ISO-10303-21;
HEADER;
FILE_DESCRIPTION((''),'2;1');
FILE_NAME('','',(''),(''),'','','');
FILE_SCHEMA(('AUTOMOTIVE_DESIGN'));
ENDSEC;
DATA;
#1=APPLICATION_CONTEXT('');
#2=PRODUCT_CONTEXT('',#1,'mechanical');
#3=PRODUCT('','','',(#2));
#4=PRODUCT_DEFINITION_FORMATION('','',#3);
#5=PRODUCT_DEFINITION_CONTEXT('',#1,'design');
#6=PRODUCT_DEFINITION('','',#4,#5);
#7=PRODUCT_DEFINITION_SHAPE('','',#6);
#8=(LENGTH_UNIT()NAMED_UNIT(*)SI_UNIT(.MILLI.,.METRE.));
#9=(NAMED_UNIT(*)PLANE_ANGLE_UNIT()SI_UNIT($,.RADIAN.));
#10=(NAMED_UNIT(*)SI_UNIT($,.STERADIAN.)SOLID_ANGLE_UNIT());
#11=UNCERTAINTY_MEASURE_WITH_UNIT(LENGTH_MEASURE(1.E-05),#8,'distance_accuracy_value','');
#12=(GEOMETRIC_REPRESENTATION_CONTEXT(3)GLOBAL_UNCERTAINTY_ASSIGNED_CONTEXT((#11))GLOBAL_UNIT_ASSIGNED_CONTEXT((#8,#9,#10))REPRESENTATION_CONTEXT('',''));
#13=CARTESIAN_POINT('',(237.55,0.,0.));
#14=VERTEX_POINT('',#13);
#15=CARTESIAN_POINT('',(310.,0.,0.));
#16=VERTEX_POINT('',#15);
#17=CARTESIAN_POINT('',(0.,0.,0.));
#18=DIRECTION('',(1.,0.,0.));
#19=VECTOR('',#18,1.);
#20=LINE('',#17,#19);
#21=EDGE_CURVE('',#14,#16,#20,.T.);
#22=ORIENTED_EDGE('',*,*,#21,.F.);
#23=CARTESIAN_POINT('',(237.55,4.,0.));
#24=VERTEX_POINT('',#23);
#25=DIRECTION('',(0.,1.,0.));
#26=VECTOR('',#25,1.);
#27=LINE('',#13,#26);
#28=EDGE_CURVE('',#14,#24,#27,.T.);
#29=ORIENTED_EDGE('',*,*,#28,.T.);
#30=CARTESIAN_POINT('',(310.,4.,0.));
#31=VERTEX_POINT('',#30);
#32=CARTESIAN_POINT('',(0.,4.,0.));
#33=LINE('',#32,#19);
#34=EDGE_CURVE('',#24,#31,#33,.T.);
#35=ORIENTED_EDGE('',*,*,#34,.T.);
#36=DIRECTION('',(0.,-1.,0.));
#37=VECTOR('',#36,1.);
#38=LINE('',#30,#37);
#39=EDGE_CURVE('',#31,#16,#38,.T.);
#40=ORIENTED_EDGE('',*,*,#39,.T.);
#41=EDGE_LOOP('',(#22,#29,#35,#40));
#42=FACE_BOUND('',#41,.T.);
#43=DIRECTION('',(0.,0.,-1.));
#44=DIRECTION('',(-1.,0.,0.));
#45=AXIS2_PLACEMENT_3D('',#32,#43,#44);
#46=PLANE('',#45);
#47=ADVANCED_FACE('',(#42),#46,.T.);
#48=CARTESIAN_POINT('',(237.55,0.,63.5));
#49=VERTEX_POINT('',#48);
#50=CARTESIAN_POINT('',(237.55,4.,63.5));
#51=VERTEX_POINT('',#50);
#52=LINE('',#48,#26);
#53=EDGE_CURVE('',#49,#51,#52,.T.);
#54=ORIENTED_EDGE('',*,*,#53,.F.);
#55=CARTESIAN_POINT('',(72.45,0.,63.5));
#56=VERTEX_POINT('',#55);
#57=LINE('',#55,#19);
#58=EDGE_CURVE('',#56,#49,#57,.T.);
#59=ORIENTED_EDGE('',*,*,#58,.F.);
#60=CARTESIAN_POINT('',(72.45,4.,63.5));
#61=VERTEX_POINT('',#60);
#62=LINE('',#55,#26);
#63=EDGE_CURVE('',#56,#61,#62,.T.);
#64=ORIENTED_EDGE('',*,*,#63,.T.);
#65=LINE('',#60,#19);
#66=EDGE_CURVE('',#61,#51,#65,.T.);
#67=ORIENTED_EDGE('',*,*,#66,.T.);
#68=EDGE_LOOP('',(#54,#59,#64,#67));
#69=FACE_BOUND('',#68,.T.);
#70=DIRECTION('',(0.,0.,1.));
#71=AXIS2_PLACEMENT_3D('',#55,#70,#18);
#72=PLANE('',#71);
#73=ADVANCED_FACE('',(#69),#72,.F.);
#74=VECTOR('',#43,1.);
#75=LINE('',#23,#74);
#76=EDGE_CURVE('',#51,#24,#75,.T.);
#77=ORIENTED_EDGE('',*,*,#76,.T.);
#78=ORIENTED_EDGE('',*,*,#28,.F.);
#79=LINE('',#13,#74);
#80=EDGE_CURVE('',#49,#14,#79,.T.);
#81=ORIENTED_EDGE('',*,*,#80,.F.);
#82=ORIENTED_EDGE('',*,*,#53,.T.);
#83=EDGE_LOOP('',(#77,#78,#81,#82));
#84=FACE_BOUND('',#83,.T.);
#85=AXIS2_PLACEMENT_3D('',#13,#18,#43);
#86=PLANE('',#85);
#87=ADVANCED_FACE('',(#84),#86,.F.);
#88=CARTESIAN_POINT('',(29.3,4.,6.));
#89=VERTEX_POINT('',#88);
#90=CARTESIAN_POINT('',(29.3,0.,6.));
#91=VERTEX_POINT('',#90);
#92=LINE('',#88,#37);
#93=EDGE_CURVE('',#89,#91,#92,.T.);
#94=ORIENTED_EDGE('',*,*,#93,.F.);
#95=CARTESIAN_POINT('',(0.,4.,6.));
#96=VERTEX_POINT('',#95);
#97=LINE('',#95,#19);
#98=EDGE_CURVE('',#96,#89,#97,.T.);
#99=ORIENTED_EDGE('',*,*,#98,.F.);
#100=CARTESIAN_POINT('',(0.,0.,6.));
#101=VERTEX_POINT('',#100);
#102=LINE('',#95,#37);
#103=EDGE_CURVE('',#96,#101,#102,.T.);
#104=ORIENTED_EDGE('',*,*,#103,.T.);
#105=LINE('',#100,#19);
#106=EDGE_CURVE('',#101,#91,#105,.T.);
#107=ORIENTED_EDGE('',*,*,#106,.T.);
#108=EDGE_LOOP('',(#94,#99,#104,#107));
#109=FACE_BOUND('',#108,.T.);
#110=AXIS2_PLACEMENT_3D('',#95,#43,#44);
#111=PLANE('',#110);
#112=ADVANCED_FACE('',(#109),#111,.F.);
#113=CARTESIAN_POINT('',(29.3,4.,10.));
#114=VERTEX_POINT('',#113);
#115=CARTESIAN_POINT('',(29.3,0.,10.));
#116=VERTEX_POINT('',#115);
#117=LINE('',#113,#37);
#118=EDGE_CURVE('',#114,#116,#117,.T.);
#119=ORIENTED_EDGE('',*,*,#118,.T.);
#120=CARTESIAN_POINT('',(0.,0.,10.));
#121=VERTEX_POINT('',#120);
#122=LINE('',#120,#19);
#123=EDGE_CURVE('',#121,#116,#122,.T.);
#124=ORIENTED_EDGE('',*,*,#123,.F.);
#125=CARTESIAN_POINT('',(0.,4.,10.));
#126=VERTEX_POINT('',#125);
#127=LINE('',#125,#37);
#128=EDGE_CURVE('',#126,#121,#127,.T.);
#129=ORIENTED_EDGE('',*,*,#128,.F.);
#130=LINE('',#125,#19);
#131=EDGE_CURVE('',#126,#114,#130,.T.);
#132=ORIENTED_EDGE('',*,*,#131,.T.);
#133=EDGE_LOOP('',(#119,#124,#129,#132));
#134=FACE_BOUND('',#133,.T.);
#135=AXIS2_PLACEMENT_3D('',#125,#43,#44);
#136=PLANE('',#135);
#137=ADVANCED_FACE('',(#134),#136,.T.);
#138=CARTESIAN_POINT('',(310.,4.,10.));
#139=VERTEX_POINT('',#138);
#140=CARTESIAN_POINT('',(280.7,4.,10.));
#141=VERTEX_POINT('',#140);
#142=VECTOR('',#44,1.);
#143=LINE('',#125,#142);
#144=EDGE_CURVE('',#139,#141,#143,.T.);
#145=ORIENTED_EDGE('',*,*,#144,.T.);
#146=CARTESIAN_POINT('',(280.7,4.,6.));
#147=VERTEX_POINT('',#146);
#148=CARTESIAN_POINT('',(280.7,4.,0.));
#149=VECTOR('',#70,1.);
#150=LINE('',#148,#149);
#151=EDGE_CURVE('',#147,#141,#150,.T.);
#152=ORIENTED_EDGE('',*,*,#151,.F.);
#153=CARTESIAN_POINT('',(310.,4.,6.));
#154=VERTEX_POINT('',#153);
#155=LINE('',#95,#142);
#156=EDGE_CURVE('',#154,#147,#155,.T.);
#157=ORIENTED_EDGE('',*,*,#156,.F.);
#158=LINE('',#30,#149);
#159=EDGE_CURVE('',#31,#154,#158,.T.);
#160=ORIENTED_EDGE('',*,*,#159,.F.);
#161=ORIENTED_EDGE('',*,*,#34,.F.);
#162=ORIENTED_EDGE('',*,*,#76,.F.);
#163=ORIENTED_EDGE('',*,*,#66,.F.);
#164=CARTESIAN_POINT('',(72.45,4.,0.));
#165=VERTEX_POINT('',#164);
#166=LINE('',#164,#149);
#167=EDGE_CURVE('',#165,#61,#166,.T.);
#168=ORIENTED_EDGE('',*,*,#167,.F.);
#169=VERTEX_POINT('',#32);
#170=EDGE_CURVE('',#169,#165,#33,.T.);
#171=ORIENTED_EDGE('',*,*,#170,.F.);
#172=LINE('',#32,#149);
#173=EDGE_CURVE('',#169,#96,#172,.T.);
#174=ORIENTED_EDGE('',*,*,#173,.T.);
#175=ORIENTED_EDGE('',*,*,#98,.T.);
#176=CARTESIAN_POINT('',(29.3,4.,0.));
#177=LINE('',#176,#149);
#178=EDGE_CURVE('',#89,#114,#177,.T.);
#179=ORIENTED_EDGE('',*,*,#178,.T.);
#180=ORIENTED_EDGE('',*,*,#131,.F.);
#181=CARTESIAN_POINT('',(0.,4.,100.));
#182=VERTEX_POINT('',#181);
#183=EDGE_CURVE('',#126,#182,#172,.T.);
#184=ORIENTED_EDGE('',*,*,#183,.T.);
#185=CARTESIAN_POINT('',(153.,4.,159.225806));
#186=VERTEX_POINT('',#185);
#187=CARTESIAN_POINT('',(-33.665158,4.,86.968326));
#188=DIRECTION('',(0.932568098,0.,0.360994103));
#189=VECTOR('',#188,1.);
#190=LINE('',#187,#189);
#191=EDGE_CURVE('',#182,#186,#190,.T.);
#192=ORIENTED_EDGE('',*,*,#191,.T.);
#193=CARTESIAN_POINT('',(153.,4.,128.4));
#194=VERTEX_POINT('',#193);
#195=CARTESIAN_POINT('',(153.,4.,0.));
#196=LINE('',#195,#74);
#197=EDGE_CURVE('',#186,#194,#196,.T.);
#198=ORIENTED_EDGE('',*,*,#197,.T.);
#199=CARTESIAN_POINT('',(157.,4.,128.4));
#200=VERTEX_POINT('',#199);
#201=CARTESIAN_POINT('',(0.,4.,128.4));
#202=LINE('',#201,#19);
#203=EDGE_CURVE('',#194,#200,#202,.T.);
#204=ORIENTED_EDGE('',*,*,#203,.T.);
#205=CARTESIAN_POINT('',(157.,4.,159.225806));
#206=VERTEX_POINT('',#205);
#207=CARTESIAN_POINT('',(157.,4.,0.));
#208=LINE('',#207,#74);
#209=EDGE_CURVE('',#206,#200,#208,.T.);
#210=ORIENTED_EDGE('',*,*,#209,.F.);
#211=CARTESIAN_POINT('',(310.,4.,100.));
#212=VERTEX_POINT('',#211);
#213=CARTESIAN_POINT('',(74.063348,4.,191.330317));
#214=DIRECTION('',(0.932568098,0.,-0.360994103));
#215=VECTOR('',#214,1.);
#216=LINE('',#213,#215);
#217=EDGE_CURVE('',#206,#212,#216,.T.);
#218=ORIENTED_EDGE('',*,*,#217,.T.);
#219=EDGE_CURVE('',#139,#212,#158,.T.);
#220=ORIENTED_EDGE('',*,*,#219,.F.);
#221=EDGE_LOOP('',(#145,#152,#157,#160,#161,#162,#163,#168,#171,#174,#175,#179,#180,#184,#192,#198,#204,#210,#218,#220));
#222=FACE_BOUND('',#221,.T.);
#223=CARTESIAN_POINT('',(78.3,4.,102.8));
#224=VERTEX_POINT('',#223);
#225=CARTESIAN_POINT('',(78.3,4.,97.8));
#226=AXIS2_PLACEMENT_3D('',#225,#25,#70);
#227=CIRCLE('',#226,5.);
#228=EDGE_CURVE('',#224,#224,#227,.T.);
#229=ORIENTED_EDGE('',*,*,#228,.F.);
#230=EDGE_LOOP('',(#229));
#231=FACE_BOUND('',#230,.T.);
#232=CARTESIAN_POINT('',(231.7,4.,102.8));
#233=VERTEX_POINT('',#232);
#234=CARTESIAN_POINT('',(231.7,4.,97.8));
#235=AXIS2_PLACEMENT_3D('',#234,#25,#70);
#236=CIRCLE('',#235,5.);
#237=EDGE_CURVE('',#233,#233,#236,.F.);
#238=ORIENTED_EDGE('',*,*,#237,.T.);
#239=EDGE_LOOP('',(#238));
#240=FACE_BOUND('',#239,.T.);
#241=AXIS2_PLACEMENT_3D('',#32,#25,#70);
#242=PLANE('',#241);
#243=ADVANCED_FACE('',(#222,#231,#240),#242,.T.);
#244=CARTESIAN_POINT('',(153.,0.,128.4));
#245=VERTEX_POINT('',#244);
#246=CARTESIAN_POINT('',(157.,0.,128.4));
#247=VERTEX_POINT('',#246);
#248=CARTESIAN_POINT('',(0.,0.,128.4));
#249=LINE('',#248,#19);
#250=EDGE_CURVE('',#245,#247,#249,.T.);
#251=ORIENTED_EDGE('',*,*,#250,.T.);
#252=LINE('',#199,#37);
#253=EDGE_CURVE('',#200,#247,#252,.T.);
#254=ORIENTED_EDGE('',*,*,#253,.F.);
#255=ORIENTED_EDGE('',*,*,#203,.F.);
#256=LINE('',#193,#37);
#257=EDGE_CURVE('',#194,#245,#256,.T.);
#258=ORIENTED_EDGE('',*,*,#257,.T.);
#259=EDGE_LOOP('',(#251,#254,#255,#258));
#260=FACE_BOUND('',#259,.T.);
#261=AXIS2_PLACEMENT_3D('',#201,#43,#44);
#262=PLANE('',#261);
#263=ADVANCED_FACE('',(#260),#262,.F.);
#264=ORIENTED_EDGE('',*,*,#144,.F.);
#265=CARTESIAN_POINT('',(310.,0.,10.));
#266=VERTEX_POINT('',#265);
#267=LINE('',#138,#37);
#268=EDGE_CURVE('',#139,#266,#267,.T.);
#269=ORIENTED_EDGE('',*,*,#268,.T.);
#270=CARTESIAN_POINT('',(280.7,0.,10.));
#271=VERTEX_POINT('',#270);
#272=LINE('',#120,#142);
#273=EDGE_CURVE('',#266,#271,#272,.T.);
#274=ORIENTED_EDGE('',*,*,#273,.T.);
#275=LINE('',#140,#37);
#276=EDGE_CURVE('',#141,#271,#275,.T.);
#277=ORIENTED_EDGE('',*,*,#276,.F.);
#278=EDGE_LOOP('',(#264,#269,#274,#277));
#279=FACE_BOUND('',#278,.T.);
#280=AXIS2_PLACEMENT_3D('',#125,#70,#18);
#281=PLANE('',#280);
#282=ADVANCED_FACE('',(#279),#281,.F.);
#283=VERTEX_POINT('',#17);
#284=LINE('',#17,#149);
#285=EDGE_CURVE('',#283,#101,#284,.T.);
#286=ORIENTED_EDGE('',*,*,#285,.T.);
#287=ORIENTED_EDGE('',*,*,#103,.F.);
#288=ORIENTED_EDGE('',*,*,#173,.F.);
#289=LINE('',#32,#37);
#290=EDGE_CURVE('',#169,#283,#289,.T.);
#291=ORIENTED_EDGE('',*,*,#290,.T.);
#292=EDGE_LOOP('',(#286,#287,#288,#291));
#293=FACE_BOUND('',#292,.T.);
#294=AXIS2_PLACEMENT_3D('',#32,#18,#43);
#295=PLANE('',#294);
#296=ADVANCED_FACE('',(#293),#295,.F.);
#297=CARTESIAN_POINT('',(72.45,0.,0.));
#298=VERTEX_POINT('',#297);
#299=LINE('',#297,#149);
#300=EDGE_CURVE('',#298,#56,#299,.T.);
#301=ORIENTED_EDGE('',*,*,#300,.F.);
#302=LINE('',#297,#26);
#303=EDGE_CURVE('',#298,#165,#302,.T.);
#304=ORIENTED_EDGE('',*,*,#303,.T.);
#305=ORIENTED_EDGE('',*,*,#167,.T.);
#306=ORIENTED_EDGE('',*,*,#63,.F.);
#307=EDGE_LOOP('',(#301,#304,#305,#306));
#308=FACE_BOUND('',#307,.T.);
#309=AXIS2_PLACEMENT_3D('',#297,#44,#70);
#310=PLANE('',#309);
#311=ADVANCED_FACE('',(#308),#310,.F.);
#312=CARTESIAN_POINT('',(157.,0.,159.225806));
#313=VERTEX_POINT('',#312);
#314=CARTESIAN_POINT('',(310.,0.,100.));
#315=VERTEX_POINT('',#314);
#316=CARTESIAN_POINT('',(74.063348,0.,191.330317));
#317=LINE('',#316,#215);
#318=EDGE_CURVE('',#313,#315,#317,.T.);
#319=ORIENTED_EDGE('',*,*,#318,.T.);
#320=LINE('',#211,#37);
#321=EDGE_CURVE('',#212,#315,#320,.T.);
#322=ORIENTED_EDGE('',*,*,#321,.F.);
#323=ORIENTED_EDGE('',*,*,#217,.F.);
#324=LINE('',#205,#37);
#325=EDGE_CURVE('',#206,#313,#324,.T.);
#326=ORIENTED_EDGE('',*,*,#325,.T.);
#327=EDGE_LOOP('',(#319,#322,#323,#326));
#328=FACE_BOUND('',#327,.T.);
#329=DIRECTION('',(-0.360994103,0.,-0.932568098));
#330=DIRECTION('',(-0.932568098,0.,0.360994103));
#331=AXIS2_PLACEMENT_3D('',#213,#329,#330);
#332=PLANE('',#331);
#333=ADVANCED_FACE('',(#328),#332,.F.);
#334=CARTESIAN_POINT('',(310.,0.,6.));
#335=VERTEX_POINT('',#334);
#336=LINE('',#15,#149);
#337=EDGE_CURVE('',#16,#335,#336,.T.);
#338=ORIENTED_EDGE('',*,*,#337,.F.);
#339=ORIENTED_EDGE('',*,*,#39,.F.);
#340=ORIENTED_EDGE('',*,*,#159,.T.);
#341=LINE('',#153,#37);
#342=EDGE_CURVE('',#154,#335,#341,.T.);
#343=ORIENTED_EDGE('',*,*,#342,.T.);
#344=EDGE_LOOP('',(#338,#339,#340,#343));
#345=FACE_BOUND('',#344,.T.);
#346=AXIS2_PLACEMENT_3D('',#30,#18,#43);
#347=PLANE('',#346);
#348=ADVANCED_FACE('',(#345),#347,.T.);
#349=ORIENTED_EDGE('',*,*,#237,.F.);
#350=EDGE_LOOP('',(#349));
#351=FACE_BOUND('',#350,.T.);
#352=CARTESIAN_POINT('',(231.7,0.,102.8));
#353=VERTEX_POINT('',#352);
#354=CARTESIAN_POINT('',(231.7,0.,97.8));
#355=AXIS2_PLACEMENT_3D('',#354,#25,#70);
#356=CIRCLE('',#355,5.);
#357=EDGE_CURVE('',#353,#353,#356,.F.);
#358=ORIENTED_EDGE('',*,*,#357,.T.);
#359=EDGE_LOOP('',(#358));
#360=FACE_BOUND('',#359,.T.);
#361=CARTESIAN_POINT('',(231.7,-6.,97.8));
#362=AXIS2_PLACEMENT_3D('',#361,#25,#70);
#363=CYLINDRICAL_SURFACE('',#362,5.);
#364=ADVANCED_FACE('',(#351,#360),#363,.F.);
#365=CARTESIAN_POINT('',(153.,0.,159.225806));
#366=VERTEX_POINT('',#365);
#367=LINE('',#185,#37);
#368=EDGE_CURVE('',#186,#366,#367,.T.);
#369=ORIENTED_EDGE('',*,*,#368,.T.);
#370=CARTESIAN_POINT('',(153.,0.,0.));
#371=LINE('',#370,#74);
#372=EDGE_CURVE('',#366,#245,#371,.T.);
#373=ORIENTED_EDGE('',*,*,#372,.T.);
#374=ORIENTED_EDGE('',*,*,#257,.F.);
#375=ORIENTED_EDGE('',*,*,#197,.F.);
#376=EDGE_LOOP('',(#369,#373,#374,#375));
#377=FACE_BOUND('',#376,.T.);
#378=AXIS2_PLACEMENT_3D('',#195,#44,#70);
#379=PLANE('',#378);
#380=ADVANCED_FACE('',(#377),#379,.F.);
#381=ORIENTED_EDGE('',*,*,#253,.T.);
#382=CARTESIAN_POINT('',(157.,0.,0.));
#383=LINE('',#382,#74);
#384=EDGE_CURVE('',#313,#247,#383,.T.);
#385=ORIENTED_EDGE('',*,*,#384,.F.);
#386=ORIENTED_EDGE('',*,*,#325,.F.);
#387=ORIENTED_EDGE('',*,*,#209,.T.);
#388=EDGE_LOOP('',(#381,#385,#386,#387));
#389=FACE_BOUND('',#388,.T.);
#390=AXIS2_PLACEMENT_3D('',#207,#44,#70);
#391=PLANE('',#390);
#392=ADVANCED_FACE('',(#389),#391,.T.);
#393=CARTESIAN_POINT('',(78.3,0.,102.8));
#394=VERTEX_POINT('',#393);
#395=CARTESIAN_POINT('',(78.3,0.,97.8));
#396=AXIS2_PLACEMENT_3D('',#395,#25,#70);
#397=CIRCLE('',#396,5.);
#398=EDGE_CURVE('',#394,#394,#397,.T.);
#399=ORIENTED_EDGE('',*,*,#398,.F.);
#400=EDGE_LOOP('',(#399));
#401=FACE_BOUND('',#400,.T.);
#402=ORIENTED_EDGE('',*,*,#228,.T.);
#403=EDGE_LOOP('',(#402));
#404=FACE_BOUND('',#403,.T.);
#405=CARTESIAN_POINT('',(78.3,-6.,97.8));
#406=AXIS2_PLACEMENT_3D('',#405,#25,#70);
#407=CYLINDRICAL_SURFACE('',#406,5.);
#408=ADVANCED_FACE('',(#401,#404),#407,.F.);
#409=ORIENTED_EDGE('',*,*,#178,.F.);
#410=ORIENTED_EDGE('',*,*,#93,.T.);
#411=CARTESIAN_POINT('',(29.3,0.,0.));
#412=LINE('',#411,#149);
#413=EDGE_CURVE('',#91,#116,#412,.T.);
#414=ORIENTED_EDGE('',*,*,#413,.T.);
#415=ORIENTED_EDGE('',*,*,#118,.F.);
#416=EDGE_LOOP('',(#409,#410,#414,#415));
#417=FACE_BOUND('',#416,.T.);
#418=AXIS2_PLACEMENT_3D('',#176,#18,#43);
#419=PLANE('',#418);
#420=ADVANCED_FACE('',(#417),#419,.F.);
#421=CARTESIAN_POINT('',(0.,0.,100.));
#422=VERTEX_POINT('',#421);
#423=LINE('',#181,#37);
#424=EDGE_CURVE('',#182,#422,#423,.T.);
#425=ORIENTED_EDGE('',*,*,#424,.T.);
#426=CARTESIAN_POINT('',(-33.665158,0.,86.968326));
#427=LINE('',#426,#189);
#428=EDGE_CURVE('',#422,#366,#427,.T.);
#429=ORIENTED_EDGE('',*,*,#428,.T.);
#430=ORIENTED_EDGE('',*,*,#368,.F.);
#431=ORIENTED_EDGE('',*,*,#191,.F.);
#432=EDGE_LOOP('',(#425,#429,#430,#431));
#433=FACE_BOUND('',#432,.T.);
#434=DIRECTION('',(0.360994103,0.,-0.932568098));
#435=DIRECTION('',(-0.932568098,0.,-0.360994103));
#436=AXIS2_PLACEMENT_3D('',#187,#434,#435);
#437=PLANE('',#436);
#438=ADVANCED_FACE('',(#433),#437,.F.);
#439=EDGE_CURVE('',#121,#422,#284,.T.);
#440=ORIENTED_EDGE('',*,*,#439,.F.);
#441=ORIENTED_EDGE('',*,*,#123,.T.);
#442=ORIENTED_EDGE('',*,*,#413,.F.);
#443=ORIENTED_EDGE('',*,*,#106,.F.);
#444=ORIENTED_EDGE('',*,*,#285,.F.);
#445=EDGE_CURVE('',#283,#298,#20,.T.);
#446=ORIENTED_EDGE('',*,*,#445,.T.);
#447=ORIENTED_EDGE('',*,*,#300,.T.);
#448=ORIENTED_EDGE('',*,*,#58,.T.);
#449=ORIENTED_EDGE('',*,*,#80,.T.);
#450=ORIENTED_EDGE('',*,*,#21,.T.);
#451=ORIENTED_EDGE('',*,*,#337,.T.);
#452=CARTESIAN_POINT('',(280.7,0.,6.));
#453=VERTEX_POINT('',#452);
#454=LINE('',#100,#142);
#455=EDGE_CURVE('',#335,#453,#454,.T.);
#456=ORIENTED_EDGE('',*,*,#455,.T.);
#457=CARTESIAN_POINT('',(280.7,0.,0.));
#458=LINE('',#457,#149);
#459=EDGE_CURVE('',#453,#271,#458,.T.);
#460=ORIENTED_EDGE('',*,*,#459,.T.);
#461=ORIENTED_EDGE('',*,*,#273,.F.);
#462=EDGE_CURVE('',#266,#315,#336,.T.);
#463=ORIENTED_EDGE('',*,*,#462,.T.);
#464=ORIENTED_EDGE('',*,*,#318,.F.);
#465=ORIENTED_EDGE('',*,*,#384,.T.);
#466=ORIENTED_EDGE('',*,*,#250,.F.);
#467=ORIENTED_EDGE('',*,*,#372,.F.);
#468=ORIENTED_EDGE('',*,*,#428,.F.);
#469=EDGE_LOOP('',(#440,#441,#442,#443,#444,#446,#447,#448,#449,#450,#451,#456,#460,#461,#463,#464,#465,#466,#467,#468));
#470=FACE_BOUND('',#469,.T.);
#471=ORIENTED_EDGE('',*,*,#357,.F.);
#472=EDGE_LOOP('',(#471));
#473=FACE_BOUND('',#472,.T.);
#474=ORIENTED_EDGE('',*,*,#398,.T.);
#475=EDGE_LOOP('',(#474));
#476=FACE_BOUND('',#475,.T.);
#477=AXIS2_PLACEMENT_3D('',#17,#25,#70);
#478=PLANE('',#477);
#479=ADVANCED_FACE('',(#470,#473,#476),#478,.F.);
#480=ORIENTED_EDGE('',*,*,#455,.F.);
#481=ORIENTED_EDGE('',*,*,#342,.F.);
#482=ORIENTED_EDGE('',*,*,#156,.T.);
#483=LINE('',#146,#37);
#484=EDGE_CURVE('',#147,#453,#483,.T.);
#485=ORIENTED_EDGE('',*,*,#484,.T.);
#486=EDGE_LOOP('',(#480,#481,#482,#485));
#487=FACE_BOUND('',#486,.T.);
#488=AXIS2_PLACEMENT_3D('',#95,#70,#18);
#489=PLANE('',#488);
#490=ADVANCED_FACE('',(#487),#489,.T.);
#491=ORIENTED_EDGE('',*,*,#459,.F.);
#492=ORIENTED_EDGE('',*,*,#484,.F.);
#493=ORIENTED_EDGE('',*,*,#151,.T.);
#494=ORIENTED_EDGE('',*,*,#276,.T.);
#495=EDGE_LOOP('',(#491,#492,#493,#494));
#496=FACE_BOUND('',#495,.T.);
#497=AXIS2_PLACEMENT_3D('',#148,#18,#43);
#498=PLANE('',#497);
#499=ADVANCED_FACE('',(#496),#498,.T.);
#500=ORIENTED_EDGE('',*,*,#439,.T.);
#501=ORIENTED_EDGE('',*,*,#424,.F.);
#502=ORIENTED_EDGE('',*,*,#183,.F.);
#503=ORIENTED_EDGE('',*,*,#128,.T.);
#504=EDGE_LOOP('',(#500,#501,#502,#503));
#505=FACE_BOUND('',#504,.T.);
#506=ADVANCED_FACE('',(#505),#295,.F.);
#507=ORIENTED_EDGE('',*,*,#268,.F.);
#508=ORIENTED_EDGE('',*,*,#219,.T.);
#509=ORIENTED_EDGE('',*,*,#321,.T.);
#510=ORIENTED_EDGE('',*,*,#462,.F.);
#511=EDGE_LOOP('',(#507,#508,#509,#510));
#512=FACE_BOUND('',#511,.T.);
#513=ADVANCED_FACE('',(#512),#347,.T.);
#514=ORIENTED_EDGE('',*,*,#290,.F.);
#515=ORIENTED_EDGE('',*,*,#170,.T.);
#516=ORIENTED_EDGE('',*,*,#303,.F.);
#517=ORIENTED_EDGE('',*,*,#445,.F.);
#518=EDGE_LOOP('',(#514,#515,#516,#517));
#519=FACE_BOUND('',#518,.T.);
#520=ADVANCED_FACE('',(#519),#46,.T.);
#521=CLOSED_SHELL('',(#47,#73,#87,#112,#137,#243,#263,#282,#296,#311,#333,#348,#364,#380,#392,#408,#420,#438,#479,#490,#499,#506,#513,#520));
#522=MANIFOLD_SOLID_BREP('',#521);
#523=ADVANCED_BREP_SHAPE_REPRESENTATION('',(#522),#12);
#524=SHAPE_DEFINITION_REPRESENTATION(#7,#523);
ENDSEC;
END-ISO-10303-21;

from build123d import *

# Parameters (mm, degrees)
BOSS_EXTRUDE1_DEPTH = 4
SKETCH2_W           = 165.1
SKETCH2_H           = 63.5
CUT_EXTRUDE1_DEPTH  = 349.523826216
CUT_EXTRUDE2_DEPTH  = 10


with BuildPart() as part:
    # Sketch1 → Boss-Extrude1 (new body)
    with BuildSketch(Plane(origin=(0, 0, 0), x_dir=(1, 0, 0), z_dir=(0, 1, 0))):
        Polygon((310, -100), (310, -10), (280.7, -10), (280.7, -6), (310, -6), (310, 0), (0, 0), (0, -6), (29.3, -6), (29.3, -10), (0, -10), (0, -100), (153, -159.225806452), (153, -128.4), (157, -128.4), (157, -159.225806452), align=None)
    extrude(amount=BOSS_EXTRUDE1_DEPTH)

    # Sketch2 → Cut-Extrude1 (cut, through all)
    with BuildSketch(Plane(origin=(0, 4, 0), x_dir=(1, 0, 0), z_dir=(0, 1, 0))):
        with Locations((155, -31.75)):
            Rectangle(SKETCH2_W, SKETCH2_H)
    extrude(amount=-CUT_EXTRUDE1_DEPTH, mode=Mode.SUBTRACT)

    # Sketch4 → Cut-Extrude2 (cut)
    with BuildSketch(Plane(origin=(0, 4, 0), x_dir=(1, 0, 0), z_dir=(0, 1, 0))):
        with BuildLine():
            ThreePointArc((73.3, -97.8), (73.429171307, -98.929171307), (73.810011136, -100))
            Line((73.810011136, -100), (78.3, -100))
            Line((78.3, -100), (78.3, -97.8))
            Line((78.3, -97.8), (73.3, -97.8))
        make_face()
        with BuildLine():
            Line((78.3, -100), (73.810011136, -100))
            ThreePointArc((73.810011136, -100), (79.429171307, -102.670828693), (83.3, -97.8))
            ThreePointArc((83.3, -97.8), (78.3, -92.8), (73.3, -97.8))
            Line((73.3, -97.8), (78.3, -97.8))
            Line((78.3, -97.8), (78.3, -100))
        make_face()
        with BuildLine():
            Line((236.189988864, -100), (231.7, -100))
            Line((231.7, -100), (231.7, -97.8))
            Line((231.7, -97.8), (236.7, -97.8))
            ThreePointArc((236.7, -97.8), (226.829171307, -96.670828693), (236.189988864, -100))
        make_face()
        with BuildLine():
            Line((231.7, -97.8), (231.7, -100))
            Line((231.7, -100), (236.189988864, -100))
            ThreePointArc((236.189988864, -100), (236.570828693, -98.929171307), (236.7, -97.8))
            Line((236.7, -97.8), (231.7, -97.8))
        make_face()
    extrude(amount=-CUT_EXTRUDE2_DEPTH, mode=Mode.SUBTRACT)


solid = part.part
